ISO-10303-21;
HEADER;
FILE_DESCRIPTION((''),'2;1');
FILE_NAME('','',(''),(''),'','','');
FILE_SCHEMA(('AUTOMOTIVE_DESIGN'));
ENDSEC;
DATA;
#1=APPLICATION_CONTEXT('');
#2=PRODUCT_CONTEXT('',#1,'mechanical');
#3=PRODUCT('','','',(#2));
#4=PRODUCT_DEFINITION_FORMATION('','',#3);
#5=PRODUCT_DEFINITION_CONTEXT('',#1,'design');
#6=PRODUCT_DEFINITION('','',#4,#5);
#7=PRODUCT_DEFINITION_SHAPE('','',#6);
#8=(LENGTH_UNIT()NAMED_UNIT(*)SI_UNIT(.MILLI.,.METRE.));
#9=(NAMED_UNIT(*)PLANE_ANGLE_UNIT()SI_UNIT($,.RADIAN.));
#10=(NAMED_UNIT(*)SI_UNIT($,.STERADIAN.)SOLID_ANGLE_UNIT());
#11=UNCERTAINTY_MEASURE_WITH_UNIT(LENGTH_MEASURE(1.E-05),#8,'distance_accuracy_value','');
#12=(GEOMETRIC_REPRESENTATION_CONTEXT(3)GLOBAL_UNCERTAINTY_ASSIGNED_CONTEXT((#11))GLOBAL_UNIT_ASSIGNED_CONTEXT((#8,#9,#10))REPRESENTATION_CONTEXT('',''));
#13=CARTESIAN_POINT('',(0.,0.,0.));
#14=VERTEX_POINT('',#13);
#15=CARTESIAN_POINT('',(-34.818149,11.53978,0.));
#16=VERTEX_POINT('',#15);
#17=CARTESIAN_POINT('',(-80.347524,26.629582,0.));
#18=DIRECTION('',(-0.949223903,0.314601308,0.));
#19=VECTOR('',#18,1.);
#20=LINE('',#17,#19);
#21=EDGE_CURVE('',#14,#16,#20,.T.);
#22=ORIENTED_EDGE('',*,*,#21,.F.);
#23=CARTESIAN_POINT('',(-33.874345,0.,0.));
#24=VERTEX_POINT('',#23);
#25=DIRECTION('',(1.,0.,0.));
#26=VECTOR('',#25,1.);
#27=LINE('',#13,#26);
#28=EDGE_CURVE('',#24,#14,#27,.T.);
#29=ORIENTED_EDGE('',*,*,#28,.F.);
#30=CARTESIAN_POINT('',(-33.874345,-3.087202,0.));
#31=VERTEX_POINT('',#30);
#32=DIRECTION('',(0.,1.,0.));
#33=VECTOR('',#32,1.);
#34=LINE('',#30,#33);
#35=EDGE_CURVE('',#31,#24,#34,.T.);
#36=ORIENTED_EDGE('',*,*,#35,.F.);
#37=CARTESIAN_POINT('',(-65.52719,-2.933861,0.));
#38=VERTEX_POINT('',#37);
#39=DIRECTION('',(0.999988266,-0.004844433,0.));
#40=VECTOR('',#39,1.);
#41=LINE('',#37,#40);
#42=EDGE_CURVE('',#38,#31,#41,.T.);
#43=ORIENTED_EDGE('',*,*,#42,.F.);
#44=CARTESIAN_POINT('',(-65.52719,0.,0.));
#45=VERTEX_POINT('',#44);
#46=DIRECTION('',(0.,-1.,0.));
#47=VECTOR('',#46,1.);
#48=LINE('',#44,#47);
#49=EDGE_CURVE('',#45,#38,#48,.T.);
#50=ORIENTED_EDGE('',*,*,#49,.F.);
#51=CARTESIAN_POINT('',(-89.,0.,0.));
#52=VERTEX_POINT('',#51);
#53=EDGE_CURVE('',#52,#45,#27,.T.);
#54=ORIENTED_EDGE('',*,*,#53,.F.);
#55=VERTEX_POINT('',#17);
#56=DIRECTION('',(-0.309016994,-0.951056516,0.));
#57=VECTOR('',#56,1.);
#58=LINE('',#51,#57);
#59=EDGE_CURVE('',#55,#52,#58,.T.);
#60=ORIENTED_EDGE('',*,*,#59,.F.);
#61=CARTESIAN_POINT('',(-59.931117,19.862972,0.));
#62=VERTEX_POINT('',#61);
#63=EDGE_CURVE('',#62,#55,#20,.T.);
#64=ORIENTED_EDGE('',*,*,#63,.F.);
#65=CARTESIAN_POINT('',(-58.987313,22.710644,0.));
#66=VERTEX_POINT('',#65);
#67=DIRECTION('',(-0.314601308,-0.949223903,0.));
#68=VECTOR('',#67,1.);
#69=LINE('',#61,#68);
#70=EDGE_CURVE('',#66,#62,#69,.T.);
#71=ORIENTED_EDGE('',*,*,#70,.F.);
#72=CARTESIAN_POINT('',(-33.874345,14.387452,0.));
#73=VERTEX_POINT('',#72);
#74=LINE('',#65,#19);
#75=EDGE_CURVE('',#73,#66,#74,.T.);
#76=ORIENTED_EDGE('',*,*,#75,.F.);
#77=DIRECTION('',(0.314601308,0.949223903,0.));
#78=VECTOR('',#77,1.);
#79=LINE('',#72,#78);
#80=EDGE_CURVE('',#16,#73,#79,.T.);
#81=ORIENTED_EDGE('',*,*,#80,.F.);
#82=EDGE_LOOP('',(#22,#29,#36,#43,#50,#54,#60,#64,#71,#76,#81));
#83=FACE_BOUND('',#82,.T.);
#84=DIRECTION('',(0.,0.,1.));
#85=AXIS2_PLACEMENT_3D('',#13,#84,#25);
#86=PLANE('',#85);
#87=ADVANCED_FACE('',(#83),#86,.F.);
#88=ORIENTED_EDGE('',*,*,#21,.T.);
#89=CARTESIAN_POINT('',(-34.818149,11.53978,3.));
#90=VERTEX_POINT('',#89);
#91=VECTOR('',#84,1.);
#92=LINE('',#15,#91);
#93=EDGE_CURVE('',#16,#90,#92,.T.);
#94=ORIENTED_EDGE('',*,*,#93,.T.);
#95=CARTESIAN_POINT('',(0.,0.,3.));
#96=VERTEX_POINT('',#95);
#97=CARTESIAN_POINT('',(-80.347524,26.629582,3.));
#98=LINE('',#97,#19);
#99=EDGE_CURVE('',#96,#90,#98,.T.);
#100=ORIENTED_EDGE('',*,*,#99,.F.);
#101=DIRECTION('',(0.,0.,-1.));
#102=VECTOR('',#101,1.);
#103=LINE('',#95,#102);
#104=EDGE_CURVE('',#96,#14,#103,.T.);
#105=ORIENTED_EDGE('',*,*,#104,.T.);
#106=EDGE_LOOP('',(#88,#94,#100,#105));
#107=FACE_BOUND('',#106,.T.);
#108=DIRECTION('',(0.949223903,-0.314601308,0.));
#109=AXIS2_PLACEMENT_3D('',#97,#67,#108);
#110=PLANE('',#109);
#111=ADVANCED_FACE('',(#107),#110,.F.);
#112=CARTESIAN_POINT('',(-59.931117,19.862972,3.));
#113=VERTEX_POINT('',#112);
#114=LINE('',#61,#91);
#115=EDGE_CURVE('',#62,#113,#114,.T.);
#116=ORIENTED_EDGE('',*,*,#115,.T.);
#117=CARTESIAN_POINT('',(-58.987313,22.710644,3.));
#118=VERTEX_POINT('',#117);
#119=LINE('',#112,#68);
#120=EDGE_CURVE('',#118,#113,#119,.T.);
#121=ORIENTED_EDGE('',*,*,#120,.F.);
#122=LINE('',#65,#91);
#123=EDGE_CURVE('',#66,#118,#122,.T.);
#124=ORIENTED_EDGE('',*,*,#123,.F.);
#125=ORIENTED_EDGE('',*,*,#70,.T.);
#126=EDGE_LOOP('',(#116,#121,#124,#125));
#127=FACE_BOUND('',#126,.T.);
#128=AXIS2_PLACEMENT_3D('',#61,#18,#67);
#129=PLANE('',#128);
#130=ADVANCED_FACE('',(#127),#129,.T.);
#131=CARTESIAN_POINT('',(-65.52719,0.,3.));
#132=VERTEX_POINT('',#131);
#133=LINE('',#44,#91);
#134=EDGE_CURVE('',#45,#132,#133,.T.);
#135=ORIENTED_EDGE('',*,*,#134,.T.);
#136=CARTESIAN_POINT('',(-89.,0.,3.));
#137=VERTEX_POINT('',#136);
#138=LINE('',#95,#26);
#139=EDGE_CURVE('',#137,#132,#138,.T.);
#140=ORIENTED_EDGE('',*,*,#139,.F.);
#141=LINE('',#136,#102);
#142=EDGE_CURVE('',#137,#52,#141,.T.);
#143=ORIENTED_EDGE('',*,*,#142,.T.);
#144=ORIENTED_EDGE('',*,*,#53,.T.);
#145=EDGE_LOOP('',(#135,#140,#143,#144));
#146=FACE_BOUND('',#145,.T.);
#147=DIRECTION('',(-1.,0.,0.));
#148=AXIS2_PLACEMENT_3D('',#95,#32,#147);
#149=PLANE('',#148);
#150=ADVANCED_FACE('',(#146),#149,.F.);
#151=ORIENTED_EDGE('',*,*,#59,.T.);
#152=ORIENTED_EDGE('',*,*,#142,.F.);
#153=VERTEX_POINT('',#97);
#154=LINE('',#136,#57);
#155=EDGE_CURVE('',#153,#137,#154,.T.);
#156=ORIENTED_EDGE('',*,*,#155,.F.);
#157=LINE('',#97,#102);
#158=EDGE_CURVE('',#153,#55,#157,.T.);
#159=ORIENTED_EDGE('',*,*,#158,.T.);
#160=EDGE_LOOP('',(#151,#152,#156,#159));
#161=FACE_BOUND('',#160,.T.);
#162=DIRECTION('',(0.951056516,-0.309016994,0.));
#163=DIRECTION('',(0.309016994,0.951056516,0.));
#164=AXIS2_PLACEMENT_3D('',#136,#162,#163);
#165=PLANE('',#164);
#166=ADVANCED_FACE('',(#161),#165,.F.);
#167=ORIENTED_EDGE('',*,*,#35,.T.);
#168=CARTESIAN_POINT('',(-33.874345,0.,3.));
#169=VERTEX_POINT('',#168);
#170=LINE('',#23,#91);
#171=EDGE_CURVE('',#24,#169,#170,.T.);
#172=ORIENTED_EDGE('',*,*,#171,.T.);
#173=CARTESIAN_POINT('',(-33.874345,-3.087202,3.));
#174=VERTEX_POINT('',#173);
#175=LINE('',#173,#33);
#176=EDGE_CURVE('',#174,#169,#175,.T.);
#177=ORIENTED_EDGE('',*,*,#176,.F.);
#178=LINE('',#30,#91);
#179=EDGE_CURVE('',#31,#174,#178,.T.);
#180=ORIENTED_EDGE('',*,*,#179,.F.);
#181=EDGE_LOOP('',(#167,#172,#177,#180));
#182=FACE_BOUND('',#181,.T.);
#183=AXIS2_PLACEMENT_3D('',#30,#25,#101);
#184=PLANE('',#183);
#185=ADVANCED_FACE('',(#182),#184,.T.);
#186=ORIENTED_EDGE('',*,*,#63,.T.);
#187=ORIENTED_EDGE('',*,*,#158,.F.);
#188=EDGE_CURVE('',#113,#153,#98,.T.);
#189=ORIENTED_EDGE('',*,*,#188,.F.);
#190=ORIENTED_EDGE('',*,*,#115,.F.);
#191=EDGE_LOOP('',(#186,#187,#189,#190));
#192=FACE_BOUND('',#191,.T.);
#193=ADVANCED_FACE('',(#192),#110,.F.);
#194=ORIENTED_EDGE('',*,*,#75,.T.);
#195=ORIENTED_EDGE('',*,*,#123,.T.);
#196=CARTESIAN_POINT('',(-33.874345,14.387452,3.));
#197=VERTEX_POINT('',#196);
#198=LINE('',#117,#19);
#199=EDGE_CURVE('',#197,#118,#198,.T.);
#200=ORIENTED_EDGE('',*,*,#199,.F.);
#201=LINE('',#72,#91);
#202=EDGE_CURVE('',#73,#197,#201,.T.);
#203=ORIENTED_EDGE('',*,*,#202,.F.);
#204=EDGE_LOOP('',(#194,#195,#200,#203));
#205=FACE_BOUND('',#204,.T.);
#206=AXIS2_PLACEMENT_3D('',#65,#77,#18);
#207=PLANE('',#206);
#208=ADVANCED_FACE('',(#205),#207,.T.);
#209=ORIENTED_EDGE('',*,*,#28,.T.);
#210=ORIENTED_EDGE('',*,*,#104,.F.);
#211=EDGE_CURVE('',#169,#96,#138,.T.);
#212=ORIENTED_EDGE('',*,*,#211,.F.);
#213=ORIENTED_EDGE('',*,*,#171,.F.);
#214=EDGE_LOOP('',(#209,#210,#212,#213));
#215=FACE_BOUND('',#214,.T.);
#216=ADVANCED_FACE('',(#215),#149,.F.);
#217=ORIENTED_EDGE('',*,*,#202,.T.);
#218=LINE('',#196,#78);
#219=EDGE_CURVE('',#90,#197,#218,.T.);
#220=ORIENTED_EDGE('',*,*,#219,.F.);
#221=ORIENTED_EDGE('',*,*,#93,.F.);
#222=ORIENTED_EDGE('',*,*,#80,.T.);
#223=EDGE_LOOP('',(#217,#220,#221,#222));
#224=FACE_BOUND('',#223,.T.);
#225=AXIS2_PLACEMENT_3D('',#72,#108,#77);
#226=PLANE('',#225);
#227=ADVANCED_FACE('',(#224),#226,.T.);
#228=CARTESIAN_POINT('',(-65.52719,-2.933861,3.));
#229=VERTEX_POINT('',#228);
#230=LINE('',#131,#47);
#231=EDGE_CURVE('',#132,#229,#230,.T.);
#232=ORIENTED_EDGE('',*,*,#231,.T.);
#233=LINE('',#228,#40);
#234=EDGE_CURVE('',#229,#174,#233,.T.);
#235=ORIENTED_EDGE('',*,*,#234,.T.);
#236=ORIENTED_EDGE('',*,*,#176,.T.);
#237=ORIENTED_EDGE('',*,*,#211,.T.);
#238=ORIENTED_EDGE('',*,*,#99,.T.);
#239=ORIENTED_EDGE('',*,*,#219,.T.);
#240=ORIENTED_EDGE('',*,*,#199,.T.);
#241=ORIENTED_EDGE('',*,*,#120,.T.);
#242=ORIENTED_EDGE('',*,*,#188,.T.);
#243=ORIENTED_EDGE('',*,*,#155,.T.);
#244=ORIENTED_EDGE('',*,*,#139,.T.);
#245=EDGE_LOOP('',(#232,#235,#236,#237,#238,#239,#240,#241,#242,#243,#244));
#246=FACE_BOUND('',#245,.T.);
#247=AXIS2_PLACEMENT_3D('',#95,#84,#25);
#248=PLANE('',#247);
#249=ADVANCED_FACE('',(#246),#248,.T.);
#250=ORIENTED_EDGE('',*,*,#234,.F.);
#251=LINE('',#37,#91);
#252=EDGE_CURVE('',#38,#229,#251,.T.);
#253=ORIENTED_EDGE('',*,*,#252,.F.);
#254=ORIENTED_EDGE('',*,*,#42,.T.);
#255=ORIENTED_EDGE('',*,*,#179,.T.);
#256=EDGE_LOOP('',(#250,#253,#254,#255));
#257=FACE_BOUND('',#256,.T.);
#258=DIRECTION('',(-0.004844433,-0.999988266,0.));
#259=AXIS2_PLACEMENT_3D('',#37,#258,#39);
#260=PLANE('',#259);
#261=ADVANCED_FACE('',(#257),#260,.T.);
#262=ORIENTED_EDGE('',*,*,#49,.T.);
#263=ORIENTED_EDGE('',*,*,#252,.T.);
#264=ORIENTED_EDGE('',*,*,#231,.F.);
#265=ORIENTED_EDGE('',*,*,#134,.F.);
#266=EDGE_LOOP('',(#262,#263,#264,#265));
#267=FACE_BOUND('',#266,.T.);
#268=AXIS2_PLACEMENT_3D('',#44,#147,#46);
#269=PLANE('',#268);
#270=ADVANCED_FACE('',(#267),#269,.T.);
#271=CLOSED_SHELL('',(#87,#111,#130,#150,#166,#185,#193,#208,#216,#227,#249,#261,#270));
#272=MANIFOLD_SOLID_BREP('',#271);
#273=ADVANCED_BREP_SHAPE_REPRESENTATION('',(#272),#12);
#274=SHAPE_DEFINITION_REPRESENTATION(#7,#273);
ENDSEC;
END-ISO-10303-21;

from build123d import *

# Parameters (mm, degrees)
BOSS_EXTRUDE1_DEPTH = 3
BOSS_EXTRUDE2_DEPTH = 3


with BuildPart() as part:
    # Sketch1 → Boss-Extrude1 (new body)
    with BuildSketch(Plane.XY):
        Polygon((0, 0), (-89, 0), (-80.347524158, 26.629582456), align=None)
    extrude(amount=BOSS_EXTRUDE1_DEPTH)

    # Sketch3 → Boss-Extrude2 (add)
    with BuildSketch(Plane.XY.offset(3)):
        Polygon((-65.527189586, 0), (-65.527189586, -2.933860522), (-33.874345064, -3.087202401), (-33.874345064, 0), align=None)
        Polygon((-59.931116708, 19.862971894), (-58.987312784, 22.710643601), (-33.874345064, 14.38745192), (-34.818148987, 11.539780213), align=None)
    extrude(amount=-BOSS_EXTRUDE2_DEPTH)


solid = part.part
